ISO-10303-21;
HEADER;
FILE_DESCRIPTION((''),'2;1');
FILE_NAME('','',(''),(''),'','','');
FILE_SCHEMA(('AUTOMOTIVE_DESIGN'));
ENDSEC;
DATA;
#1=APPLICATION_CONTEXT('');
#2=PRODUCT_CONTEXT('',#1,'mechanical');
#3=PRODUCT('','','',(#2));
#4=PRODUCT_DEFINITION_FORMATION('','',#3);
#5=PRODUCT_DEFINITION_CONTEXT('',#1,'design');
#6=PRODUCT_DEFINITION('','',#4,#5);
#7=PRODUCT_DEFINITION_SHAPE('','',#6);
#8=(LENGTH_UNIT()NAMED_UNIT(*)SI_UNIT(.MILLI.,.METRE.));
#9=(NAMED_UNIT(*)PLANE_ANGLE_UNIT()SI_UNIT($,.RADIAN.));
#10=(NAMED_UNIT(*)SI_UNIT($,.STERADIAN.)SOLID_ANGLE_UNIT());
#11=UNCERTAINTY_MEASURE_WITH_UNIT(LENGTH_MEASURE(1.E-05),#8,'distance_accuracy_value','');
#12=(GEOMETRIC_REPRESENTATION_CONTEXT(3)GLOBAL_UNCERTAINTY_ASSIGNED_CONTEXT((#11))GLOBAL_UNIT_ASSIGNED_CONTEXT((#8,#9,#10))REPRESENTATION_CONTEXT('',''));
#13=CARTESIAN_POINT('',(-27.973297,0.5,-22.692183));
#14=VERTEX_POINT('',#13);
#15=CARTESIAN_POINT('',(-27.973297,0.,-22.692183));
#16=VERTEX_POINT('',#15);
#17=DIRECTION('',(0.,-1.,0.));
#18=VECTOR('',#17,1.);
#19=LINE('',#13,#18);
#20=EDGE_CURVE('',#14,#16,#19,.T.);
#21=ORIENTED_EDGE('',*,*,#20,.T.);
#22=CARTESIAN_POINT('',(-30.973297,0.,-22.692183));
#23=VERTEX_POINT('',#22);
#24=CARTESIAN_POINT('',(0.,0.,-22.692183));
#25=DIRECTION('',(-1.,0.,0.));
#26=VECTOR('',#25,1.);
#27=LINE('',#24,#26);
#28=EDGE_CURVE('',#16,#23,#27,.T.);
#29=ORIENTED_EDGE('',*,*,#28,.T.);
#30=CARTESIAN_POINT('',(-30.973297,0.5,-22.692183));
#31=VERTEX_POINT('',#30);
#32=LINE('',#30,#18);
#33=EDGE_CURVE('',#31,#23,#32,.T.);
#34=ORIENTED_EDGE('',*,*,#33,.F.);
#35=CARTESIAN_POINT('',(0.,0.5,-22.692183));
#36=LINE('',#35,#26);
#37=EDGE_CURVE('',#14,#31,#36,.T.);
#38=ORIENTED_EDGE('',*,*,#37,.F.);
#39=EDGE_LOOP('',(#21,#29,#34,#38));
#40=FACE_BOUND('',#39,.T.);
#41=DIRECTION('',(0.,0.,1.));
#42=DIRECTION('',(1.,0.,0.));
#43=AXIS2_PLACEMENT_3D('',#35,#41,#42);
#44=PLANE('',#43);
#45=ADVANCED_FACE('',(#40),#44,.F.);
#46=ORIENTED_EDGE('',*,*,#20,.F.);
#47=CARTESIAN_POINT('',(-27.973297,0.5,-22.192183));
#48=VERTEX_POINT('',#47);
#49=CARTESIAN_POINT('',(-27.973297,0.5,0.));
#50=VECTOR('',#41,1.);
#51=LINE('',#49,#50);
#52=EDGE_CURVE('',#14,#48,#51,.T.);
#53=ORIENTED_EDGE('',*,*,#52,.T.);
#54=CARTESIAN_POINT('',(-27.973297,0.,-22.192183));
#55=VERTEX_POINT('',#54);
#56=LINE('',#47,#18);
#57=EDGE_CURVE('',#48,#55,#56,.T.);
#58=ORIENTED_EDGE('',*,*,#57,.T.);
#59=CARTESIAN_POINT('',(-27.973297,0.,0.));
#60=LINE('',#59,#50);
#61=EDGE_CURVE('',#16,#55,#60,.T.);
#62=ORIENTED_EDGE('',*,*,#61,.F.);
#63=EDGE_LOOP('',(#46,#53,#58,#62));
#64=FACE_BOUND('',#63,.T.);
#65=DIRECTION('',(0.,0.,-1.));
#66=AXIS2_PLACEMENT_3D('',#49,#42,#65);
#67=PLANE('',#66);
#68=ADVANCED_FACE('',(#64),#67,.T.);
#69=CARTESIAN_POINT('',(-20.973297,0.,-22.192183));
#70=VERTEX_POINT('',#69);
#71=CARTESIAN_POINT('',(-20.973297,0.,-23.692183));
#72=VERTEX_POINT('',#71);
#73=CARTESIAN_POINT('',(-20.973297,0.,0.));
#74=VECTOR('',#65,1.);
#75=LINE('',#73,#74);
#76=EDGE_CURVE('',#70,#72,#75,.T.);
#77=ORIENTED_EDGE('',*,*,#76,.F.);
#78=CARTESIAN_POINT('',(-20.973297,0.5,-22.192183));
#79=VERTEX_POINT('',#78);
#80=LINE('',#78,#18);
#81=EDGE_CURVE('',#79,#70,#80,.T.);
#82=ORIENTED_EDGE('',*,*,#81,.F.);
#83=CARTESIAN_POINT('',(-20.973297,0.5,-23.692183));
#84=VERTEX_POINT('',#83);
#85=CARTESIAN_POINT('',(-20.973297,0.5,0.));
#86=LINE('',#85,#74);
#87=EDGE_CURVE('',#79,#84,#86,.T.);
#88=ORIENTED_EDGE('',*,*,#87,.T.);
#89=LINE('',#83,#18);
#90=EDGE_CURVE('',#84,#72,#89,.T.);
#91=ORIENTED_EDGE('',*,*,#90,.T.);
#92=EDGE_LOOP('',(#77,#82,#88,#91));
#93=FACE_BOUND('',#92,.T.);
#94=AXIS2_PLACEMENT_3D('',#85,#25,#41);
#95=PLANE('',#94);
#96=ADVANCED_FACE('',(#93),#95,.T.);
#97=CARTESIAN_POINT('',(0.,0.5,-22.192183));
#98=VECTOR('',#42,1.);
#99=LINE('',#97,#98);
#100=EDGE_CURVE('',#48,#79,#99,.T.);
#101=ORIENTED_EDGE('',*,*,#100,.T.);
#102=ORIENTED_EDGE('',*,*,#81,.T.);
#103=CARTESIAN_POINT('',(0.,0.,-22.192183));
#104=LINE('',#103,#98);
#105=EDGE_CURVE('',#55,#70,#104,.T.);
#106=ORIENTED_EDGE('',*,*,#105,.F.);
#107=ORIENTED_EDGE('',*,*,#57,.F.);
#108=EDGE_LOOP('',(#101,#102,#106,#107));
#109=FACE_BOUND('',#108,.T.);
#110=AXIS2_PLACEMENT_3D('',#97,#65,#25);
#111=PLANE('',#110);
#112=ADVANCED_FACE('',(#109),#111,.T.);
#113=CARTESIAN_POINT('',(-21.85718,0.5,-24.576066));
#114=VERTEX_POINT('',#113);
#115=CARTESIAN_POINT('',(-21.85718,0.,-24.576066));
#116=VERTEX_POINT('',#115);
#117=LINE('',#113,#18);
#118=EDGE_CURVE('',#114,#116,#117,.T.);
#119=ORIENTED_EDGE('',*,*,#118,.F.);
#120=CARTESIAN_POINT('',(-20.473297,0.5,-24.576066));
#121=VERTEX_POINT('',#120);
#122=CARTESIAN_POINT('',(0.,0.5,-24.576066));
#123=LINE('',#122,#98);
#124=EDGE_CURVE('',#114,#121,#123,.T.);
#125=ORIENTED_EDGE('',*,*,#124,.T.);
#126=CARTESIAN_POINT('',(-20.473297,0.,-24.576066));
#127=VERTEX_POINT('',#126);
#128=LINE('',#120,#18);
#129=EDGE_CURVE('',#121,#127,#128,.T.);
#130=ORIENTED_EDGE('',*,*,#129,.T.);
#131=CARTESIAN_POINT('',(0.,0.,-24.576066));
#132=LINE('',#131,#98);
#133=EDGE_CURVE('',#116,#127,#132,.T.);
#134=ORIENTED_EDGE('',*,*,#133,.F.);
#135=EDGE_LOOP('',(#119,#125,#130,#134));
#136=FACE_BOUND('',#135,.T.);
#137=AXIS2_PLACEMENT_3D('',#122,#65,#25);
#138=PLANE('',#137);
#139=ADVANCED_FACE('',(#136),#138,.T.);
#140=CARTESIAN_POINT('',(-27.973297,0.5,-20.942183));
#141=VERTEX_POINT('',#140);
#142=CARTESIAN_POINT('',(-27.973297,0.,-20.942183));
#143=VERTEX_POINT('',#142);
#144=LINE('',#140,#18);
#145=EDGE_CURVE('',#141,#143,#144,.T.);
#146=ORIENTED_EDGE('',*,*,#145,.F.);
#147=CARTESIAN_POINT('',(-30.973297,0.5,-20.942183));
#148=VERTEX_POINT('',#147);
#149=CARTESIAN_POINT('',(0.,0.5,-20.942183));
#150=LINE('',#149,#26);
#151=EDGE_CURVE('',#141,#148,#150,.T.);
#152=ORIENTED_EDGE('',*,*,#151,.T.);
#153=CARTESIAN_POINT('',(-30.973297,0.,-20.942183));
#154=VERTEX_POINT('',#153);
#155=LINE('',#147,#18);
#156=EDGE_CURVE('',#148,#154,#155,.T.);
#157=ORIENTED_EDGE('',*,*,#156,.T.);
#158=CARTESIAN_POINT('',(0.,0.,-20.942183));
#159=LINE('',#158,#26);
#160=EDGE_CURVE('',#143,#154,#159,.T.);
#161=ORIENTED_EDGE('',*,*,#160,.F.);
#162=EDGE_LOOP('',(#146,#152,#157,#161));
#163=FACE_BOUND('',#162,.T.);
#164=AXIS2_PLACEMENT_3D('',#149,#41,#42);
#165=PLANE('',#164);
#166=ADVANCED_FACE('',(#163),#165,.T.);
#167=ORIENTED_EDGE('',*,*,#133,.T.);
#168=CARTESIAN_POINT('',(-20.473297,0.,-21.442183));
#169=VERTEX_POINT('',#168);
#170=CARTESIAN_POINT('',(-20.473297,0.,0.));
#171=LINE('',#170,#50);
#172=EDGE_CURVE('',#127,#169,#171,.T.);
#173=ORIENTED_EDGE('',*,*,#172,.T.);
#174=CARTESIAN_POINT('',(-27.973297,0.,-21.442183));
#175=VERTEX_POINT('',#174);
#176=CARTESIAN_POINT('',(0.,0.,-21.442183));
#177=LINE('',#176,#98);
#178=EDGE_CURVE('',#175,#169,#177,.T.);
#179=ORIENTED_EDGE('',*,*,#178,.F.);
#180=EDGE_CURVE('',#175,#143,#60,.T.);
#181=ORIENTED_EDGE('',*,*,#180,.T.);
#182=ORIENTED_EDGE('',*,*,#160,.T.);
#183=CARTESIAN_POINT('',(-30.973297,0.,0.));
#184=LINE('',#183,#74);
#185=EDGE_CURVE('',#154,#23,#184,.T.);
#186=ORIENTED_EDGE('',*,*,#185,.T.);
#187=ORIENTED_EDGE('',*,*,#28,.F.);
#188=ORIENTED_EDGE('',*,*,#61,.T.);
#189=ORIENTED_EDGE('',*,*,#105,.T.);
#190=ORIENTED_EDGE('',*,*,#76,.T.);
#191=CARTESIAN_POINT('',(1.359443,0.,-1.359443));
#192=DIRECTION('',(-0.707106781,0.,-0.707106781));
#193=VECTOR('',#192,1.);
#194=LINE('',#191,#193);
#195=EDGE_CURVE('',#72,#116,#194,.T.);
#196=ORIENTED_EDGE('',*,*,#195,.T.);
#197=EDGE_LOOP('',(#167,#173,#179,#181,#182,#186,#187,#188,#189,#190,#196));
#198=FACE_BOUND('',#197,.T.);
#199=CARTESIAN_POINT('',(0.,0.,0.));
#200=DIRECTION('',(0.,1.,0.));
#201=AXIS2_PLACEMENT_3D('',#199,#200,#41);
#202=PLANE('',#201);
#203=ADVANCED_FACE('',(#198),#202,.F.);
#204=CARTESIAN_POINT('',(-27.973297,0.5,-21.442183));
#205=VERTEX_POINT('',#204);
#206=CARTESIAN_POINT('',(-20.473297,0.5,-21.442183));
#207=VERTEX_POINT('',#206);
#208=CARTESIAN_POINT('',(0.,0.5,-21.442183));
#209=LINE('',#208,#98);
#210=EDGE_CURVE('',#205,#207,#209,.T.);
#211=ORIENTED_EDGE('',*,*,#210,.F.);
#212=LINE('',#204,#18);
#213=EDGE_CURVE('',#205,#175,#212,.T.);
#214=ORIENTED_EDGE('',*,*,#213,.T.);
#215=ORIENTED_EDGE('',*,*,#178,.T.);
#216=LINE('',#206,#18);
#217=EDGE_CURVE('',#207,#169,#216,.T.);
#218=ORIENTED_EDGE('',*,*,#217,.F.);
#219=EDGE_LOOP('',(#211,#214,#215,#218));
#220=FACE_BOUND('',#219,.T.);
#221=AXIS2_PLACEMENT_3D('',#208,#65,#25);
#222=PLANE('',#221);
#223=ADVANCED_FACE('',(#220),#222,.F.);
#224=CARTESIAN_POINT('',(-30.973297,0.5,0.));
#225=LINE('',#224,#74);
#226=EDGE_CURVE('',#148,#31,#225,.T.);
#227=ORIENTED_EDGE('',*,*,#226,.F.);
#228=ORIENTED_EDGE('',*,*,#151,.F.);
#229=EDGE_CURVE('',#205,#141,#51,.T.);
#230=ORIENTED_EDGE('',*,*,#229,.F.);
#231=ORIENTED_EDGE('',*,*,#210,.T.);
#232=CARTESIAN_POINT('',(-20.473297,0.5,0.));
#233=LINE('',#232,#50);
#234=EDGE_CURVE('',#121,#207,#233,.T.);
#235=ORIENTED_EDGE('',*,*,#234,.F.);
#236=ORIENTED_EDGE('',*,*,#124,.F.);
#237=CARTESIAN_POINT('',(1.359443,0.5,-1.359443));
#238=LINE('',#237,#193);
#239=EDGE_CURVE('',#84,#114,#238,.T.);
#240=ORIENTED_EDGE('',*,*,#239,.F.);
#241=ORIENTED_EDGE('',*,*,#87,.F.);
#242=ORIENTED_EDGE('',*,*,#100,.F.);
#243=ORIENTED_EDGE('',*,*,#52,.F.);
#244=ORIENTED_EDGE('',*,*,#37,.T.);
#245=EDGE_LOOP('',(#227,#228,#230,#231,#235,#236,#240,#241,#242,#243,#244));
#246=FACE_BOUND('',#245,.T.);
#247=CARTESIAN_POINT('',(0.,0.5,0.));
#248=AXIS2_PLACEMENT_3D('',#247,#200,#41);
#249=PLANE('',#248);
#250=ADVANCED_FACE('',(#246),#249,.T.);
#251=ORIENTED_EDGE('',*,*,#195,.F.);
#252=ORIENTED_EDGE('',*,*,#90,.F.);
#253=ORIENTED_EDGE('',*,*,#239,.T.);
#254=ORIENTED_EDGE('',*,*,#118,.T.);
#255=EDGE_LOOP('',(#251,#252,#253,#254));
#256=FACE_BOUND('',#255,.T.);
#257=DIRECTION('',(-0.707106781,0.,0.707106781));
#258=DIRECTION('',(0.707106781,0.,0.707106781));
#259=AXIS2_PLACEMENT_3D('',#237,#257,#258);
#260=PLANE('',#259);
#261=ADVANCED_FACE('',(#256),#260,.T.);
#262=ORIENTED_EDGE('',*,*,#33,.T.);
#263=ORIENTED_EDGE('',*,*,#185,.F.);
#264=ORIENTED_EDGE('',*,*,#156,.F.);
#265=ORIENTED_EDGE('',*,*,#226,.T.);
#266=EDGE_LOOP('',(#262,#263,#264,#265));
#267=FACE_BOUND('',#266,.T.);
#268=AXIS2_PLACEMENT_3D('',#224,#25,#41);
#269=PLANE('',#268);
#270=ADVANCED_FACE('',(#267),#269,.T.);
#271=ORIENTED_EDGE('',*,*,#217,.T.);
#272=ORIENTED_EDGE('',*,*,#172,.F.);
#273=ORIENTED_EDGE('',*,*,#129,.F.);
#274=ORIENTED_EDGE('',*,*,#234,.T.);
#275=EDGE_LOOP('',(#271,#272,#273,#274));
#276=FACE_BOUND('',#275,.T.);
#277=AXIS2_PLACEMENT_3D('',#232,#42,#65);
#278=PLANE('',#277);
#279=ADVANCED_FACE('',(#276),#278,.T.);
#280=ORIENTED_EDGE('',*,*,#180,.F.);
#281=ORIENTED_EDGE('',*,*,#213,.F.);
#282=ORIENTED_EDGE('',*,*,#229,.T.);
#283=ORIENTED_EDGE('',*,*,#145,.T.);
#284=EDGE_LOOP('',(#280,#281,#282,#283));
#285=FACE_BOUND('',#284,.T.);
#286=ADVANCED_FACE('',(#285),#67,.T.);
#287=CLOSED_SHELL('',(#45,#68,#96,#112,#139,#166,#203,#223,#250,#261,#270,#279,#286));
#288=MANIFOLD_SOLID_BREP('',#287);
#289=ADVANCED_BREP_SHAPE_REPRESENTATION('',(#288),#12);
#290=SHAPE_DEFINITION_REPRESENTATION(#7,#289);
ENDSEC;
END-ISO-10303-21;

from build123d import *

# Parameters (mm, degrees)
BOSS_EXTRUDE1_DEPTH = 0.5


with BuildPart() as part:
    # Sketch1 → Boss-Extrude1 (new body)
    with BuildSketch(Plane(origin=(0, 0, 0), x_dir=(1, 0, 0), z_dir=(0, 1, 0))):
        Polygon((-30.973296771, 20.942182778), (-30.973296771, 22.692182778), (-27.973296771, 22.692182778), (-27.973296771, 22.192182778), (-27.973296771, 21.442182778), (-27.973296771, 20.942182778), align=None)
        Polygon((-27.973296771, 22.192182778), (-27.973296771, 21.442182778), (-20.473296771, 21.442182778), (-20.473296771, 24.576066254), (-21.857180247, 24.576066254), (-20.973296771, 23.692182778), (-20.973296771, 22.192182778), align=None)
    extrude(amount=BOSS_EXTRUDE1_DEPTH)


solid = part.part
